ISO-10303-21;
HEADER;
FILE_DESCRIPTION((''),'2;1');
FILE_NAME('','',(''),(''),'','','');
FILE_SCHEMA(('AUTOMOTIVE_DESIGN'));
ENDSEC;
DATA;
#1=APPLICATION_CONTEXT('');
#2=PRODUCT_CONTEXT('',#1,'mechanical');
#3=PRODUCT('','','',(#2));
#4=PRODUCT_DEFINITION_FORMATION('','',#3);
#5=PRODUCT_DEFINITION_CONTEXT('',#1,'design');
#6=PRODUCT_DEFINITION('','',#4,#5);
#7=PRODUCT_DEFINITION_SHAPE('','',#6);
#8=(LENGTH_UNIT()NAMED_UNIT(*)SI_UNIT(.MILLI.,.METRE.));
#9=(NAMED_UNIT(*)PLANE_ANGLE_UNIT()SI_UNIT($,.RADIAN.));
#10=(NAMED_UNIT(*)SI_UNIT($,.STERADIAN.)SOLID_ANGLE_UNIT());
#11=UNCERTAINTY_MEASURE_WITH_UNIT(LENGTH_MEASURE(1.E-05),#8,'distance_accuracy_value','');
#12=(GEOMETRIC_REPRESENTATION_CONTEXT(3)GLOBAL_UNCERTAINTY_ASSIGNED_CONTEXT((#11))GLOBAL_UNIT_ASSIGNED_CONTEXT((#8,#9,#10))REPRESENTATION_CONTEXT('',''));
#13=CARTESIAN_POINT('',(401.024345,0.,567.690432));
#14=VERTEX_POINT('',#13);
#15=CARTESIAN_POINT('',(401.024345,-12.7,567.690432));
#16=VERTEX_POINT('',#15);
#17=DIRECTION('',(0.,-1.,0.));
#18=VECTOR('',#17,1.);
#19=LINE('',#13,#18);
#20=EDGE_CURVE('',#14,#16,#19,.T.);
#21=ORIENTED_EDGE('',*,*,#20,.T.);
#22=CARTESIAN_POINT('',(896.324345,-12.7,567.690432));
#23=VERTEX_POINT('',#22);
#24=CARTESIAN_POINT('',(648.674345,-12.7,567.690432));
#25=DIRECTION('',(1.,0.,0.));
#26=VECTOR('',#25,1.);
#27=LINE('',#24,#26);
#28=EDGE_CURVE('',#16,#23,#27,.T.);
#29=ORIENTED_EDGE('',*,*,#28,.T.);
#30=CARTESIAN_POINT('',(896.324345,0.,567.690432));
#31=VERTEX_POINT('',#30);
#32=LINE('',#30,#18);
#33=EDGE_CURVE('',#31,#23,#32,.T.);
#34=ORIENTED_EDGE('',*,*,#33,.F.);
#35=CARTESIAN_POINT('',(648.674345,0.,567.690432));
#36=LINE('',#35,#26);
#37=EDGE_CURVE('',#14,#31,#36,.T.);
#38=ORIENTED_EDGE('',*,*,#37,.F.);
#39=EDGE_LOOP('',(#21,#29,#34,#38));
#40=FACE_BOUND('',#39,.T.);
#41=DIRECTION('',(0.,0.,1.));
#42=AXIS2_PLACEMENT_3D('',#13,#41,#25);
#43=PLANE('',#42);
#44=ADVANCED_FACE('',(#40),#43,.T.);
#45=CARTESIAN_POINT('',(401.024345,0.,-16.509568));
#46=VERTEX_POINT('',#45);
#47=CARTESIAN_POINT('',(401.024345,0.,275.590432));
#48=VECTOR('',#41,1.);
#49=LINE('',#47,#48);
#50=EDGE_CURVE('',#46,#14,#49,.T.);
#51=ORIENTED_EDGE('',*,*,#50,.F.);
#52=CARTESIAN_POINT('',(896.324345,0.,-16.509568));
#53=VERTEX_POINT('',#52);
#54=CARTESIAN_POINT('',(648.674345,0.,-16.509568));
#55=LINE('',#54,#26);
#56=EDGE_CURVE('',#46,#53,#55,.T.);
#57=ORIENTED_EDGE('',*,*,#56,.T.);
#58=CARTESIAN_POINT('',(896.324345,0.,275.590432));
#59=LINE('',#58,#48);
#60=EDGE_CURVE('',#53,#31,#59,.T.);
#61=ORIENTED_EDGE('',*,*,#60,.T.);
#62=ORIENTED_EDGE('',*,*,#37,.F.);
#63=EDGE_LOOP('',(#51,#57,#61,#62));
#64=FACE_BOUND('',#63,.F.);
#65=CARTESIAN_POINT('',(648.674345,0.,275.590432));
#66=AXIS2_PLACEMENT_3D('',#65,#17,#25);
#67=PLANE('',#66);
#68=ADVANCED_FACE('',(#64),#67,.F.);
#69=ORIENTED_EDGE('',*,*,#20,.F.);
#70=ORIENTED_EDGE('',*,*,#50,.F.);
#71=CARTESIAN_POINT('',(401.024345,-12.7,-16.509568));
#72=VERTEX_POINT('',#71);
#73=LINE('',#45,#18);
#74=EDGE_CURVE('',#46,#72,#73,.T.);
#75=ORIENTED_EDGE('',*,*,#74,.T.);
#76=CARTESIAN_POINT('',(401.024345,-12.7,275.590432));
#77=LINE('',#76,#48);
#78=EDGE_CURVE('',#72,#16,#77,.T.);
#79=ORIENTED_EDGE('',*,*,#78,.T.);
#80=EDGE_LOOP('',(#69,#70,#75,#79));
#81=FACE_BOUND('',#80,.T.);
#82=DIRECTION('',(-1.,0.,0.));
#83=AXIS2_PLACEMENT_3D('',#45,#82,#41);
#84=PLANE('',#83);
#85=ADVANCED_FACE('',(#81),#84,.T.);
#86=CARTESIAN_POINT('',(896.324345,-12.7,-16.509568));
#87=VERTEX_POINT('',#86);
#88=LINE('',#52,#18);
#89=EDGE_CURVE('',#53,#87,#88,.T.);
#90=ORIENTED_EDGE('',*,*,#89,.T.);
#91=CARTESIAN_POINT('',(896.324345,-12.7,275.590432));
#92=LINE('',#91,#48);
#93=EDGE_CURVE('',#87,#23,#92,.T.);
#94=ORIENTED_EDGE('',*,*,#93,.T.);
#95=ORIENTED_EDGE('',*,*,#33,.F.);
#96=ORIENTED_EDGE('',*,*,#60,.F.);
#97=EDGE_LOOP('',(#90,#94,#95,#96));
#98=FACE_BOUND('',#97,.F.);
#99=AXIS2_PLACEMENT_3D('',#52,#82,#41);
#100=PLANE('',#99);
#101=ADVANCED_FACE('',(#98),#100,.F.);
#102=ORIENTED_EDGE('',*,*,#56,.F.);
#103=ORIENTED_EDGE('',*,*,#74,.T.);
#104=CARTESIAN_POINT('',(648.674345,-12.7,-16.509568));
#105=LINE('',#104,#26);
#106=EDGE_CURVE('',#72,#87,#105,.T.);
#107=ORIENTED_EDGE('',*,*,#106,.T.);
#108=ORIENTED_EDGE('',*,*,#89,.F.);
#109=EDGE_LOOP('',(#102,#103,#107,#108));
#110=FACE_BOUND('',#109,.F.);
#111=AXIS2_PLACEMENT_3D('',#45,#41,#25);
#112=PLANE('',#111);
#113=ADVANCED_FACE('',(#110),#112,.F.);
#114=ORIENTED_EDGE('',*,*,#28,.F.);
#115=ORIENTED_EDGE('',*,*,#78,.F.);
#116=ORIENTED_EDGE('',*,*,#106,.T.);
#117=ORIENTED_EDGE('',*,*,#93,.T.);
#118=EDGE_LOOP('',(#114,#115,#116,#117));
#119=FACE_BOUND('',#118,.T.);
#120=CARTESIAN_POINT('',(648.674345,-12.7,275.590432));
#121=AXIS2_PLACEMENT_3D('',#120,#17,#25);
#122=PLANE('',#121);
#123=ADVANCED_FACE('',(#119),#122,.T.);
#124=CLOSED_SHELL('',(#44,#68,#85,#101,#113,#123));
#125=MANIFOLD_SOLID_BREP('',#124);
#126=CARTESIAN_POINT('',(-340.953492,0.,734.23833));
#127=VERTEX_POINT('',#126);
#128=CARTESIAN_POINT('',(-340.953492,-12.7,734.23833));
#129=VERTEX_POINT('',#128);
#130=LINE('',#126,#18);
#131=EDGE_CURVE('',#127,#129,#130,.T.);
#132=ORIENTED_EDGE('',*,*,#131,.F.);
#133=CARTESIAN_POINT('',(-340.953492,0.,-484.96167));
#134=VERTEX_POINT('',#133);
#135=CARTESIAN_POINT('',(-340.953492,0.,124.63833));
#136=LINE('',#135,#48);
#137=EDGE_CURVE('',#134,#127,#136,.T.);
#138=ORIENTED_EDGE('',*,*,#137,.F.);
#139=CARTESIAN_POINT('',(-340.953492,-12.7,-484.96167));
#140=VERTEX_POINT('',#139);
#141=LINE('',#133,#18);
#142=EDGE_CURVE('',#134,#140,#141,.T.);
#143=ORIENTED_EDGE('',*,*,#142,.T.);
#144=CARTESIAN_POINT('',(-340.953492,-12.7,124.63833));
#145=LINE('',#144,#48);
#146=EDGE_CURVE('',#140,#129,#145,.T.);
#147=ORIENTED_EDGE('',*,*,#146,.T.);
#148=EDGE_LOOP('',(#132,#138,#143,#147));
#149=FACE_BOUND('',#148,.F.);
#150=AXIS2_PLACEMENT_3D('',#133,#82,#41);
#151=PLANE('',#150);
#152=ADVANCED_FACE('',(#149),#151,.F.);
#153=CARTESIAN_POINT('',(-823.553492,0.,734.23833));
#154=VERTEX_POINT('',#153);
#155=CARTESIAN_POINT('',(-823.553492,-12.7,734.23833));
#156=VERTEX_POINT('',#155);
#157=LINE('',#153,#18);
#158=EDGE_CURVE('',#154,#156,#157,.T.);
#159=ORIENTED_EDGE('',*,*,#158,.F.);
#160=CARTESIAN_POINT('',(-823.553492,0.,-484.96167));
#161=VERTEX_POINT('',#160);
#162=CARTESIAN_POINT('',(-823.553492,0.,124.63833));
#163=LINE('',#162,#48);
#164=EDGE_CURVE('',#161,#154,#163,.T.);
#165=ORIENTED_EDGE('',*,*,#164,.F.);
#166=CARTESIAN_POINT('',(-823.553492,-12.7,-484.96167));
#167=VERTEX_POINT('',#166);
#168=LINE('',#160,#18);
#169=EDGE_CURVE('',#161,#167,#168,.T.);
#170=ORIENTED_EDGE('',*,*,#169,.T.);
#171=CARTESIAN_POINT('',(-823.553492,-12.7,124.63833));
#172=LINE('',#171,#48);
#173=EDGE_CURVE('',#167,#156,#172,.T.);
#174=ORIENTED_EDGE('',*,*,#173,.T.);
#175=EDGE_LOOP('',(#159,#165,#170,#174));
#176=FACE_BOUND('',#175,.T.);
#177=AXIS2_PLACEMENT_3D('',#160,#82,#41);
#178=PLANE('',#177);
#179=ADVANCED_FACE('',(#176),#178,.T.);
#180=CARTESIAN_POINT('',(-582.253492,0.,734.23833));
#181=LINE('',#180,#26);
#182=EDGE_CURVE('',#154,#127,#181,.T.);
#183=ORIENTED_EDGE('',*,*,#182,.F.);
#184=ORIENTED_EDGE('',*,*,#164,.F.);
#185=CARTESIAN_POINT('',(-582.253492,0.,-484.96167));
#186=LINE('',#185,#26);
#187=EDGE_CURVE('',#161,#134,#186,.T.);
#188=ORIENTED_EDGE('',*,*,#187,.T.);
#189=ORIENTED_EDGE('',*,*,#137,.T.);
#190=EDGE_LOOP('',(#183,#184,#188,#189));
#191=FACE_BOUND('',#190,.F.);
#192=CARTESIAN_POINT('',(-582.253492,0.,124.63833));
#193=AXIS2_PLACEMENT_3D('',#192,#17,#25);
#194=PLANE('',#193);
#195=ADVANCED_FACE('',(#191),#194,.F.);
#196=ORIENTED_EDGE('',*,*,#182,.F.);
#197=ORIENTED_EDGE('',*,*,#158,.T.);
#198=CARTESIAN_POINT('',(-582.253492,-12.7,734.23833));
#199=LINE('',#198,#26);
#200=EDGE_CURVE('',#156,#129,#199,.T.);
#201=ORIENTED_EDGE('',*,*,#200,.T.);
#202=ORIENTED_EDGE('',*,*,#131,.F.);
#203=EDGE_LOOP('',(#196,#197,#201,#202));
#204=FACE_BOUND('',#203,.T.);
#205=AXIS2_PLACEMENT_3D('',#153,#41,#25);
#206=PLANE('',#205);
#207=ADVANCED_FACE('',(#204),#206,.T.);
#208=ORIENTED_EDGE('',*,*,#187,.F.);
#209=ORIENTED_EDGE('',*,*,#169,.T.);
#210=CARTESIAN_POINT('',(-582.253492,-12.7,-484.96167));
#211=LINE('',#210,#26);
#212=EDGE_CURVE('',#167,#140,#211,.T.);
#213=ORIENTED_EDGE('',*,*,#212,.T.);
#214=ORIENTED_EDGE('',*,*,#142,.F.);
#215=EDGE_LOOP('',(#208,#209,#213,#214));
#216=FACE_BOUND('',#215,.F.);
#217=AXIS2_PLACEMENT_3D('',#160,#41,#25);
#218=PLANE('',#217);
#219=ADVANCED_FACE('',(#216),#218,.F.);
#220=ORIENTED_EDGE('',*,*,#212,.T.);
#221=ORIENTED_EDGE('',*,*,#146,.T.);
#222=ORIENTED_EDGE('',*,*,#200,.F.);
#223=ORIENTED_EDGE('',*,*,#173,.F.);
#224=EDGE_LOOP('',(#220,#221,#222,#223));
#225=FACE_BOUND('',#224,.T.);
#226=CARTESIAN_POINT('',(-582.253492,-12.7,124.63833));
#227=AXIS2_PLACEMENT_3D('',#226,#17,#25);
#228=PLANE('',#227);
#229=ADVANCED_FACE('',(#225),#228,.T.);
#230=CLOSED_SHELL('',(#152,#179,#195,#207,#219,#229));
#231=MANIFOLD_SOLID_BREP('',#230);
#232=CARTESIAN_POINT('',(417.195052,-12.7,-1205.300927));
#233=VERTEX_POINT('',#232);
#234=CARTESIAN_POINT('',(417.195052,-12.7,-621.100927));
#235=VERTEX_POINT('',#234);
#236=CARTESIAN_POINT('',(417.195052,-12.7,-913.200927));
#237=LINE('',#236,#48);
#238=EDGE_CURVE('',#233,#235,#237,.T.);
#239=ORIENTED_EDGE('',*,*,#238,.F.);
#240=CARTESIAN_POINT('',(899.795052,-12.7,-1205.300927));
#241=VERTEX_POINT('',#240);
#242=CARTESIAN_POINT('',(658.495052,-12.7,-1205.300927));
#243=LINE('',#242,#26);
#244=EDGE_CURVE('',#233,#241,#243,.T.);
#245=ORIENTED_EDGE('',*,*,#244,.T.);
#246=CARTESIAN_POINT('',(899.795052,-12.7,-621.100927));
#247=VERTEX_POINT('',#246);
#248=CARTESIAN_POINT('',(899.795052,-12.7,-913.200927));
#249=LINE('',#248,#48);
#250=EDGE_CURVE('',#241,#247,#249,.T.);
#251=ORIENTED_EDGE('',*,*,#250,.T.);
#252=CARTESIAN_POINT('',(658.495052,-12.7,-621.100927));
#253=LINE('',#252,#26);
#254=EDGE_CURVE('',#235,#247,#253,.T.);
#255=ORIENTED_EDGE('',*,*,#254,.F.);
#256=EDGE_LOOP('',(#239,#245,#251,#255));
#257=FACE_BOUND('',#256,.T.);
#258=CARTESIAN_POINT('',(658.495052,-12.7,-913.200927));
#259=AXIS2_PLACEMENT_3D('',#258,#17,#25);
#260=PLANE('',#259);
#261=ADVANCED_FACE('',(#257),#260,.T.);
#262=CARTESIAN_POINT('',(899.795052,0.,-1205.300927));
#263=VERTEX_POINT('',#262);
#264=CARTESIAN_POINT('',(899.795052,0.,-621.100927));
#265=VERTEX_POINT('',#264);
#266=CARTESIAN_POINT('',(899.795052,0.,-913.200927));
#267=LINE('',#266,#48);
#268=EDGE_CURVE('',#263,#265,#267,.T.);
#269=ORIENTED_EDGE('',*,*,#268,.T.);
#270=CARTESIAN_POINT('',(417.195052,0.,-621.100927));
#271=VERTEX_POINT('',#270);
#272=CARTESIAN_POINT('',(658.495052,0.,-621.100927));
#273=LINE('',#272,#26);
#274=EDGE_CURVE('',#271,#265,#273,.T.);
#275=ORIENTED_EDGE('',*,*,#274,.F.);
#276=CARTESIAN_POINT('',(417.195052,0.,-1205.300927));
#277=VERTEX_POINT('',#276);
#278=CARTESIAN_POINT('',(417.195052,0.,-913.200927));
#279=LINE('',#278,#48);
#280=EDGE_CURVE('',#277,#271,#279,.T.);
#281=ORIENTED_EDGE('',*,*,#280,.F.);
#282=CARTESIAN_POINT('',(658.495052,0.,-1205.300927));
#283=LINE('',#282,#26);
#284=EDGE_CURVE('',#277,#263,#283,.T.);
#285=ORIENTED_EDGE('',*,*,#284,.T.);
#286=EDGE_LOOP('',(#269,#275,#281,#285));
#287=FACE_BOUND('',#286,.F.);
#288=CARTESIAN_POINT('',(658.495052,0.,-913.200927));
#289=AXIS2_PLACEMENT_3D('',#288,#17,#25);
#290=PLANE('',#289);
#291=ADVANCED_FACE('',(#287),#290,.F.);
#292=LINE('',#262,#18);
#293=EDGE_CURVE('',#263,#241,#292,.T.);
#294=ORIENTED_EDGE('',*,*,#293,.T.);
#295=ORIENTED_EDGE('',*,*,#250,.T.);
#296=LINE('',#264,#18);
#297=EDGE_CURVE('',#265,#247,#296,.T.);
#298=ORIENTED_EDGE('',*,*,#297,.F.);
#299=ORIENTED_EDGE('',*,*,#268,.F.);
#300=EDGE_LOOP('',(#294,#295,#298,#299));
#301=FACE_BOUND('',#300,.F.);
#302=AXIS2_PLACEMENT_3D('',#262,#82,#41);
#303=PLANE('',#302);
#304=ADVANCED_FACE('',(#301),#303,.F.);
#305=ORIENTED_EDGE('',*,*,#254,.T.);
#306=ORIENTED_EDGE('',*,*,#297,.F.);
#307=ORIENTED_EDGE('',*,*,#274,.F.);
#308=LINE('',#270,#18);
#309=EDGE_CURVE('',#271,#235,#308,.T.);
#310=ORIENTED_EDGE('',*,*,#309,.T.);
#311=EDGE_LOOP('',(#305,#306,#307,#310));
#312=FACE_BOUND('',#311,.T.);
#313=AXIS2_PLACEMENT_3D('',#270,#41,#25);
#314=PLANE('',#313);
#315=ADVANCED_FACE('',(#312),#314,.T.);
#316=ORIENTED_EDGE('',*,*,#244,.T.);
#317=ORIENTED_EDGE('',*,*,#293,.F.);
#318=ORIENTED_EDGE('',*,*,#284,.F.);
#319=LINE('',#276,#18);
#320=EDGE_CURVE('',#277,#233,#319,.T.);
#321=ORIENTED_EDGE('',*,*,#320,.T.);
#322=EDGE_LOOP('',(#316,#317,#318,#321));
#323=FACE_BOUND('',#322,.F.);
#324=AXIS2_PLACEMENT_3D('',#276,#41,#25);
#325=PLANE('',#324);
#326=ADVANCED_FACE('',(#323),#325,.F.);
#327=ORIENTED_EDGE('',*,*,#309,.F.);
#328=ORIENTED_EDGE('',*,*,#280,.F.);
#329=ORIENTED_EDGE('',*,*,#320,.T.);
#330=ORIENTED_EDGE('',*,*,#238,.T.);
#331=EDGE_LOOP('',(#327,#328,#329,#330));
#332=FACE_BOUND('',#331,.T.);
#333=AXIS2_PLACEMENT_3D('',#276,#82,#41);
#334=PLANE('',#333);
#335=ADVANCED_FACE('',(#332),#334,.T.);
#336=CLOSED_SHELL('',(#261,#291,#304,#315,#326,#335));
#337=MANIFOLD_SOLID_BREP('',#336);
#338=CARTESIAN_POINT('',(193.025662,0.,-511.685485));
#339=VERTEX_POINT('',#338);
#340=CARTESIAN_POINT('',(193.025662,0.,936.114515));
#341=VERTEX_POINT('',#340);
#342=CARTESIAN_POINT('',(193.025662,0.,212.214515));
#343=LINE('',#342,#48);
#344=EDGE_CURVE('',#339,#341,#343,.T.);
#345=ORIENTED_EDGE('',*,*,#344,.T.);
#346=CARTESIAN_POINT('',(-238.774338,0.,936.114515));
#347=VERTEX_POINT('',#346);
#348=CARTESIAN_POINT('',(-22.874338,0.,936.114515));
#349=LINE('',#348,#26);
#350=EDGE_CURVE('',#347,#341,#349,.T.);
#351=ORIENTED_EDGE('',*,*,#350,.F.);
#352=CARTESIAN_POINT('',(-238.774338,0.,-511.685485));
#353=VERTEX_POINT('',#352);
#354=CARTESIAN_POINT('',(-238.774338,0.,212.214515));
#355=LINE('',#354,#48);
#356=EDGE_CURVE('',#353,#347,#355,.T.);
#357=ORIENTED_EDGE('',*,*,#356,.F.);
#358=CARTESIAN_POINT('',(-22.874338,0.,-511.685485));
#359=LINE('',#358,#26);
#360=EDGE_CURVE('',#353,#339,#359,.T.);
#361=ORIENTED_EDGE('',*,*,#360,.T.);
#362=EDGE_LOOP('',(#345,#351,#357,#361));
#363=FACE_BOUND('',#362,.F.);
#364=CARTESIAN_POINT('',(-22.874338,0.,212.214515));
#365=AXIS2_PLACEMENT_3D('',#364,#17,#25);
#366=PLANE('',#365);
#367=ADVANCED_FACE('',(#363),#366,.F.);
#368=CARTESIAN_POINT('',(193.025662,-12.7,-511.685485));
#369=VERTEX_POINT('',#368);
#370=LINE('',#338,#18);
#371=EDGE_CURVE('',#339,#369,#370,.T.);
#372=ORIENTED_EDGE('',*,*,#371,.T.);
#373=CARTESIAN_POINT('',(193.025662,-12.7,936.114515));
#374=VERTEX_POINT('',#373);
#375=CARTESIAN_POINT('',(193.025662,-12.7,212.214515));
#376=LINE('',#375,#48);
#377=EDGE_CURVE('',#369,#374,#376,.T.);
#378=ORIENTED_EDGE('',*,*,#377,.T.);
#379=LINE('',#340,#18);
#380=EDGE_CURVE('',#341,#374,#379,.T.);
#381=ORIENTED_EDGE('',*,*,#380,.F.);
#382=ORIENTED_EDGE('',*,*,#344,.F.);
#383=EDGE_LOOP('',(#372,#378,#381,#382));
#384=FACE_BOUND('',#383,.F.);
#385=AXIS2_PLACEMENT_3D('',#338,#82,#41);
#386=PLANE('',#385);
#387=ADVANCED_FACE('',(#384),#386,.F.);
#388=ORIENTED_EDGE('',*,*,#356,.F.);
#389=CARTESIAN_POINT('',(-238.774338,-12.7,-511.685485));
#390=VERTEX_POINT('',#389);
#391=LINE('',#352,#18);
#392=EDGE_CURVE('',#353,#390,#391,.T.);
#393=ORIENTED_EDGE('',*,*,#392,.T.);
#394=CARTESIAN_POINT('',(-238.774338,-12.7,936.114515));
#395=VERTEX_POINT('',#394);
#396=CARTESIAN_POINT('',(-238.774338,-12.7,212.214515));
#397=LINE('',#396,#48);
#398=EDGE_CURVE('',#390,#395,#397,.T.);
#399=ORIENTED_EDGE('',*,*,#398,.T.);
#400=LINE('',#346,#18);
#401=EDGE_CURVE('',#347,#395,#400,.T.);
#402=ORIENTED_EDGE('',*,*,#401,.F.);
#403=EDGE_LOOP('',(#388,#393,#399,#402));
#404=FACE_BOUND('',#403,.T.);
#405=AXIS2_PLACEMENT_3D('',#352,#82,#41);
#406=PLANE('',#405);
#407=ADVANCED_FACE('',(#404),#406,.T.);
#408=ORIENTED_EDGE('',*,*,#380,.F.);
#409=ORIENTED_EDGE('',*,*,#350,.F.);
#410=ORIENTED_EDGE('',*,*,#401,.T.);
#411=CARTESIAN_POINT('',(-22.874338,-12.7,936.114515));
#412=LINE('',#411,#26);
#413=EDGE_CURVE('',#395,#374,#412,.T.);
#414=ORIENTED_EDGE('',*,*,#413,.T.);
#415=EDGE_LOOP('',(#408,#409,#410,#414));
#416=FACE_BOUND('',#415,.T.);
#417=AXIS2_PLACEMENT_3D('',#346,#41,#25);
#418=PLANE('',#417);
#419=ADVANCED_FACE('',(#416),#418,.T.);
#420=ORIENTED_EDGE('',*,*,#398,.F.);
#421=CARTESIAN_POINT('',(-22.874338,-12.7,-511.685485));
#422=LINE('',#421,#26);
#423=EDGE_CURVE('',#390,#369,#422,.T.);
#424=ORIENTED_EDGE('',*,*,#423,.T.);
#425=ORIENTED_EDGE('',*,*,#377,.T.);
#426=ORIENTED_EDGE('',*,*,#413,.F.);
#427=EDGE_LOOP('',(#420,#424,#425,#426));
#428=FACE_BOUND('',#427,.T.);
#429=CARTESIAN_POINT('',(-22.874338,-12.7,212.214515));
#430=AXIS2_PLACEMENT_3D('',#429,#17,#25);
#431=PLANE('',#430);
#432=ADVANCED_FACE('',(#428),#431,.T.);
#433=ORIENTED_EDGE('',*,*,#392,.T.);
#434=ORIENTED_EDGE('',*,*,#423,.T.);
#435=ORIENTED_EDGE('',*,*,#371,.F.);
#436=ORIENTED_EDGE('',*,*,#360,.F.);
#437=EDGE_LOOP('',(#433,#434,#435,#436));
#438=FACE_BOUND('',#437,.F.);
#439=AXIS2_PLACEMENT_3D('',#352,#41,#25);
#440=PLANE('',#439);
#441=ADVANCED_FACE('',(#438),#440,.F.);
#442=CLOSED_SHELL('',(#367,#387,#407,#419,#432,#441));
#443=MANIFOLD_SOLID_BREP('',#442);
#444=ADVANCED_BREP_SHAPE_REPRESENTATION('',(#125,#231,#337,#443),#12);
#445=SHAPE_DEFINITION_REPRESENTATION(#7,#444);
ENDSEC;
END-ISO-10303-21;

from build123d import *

# Parameters (mm, degrees)
F0_W     = 482.6
F0_H     = 1219.2
F0_W_2   = 431.8
F0_H_2   = 1447.8
F0_W_3   = 495.3
F0_H_3   = 584.2
F1_DEPTH = 12.7


with BuildPart() as f1:
    # F0 (on Front) → F1 (new body)
    with BuildSketch(Plane.XZ):
        with Locations((-582.253492, 124.63833)):
            Rectangle(F0_W, F0_H)
        with Locations((-22.874338, 212.214515)):
            Rectangle(F0_W_2, F0_H_2)
        with Locations((648.674345, 275.590432)):
            Rectangle(F0_W_3, F0_H_3)
        with Locations((658.495052, -913.200927)):
            Rectangle(F0_W, F0_H_3)
    extrude(amount=F1_DEPTH)


solid = f1.part
